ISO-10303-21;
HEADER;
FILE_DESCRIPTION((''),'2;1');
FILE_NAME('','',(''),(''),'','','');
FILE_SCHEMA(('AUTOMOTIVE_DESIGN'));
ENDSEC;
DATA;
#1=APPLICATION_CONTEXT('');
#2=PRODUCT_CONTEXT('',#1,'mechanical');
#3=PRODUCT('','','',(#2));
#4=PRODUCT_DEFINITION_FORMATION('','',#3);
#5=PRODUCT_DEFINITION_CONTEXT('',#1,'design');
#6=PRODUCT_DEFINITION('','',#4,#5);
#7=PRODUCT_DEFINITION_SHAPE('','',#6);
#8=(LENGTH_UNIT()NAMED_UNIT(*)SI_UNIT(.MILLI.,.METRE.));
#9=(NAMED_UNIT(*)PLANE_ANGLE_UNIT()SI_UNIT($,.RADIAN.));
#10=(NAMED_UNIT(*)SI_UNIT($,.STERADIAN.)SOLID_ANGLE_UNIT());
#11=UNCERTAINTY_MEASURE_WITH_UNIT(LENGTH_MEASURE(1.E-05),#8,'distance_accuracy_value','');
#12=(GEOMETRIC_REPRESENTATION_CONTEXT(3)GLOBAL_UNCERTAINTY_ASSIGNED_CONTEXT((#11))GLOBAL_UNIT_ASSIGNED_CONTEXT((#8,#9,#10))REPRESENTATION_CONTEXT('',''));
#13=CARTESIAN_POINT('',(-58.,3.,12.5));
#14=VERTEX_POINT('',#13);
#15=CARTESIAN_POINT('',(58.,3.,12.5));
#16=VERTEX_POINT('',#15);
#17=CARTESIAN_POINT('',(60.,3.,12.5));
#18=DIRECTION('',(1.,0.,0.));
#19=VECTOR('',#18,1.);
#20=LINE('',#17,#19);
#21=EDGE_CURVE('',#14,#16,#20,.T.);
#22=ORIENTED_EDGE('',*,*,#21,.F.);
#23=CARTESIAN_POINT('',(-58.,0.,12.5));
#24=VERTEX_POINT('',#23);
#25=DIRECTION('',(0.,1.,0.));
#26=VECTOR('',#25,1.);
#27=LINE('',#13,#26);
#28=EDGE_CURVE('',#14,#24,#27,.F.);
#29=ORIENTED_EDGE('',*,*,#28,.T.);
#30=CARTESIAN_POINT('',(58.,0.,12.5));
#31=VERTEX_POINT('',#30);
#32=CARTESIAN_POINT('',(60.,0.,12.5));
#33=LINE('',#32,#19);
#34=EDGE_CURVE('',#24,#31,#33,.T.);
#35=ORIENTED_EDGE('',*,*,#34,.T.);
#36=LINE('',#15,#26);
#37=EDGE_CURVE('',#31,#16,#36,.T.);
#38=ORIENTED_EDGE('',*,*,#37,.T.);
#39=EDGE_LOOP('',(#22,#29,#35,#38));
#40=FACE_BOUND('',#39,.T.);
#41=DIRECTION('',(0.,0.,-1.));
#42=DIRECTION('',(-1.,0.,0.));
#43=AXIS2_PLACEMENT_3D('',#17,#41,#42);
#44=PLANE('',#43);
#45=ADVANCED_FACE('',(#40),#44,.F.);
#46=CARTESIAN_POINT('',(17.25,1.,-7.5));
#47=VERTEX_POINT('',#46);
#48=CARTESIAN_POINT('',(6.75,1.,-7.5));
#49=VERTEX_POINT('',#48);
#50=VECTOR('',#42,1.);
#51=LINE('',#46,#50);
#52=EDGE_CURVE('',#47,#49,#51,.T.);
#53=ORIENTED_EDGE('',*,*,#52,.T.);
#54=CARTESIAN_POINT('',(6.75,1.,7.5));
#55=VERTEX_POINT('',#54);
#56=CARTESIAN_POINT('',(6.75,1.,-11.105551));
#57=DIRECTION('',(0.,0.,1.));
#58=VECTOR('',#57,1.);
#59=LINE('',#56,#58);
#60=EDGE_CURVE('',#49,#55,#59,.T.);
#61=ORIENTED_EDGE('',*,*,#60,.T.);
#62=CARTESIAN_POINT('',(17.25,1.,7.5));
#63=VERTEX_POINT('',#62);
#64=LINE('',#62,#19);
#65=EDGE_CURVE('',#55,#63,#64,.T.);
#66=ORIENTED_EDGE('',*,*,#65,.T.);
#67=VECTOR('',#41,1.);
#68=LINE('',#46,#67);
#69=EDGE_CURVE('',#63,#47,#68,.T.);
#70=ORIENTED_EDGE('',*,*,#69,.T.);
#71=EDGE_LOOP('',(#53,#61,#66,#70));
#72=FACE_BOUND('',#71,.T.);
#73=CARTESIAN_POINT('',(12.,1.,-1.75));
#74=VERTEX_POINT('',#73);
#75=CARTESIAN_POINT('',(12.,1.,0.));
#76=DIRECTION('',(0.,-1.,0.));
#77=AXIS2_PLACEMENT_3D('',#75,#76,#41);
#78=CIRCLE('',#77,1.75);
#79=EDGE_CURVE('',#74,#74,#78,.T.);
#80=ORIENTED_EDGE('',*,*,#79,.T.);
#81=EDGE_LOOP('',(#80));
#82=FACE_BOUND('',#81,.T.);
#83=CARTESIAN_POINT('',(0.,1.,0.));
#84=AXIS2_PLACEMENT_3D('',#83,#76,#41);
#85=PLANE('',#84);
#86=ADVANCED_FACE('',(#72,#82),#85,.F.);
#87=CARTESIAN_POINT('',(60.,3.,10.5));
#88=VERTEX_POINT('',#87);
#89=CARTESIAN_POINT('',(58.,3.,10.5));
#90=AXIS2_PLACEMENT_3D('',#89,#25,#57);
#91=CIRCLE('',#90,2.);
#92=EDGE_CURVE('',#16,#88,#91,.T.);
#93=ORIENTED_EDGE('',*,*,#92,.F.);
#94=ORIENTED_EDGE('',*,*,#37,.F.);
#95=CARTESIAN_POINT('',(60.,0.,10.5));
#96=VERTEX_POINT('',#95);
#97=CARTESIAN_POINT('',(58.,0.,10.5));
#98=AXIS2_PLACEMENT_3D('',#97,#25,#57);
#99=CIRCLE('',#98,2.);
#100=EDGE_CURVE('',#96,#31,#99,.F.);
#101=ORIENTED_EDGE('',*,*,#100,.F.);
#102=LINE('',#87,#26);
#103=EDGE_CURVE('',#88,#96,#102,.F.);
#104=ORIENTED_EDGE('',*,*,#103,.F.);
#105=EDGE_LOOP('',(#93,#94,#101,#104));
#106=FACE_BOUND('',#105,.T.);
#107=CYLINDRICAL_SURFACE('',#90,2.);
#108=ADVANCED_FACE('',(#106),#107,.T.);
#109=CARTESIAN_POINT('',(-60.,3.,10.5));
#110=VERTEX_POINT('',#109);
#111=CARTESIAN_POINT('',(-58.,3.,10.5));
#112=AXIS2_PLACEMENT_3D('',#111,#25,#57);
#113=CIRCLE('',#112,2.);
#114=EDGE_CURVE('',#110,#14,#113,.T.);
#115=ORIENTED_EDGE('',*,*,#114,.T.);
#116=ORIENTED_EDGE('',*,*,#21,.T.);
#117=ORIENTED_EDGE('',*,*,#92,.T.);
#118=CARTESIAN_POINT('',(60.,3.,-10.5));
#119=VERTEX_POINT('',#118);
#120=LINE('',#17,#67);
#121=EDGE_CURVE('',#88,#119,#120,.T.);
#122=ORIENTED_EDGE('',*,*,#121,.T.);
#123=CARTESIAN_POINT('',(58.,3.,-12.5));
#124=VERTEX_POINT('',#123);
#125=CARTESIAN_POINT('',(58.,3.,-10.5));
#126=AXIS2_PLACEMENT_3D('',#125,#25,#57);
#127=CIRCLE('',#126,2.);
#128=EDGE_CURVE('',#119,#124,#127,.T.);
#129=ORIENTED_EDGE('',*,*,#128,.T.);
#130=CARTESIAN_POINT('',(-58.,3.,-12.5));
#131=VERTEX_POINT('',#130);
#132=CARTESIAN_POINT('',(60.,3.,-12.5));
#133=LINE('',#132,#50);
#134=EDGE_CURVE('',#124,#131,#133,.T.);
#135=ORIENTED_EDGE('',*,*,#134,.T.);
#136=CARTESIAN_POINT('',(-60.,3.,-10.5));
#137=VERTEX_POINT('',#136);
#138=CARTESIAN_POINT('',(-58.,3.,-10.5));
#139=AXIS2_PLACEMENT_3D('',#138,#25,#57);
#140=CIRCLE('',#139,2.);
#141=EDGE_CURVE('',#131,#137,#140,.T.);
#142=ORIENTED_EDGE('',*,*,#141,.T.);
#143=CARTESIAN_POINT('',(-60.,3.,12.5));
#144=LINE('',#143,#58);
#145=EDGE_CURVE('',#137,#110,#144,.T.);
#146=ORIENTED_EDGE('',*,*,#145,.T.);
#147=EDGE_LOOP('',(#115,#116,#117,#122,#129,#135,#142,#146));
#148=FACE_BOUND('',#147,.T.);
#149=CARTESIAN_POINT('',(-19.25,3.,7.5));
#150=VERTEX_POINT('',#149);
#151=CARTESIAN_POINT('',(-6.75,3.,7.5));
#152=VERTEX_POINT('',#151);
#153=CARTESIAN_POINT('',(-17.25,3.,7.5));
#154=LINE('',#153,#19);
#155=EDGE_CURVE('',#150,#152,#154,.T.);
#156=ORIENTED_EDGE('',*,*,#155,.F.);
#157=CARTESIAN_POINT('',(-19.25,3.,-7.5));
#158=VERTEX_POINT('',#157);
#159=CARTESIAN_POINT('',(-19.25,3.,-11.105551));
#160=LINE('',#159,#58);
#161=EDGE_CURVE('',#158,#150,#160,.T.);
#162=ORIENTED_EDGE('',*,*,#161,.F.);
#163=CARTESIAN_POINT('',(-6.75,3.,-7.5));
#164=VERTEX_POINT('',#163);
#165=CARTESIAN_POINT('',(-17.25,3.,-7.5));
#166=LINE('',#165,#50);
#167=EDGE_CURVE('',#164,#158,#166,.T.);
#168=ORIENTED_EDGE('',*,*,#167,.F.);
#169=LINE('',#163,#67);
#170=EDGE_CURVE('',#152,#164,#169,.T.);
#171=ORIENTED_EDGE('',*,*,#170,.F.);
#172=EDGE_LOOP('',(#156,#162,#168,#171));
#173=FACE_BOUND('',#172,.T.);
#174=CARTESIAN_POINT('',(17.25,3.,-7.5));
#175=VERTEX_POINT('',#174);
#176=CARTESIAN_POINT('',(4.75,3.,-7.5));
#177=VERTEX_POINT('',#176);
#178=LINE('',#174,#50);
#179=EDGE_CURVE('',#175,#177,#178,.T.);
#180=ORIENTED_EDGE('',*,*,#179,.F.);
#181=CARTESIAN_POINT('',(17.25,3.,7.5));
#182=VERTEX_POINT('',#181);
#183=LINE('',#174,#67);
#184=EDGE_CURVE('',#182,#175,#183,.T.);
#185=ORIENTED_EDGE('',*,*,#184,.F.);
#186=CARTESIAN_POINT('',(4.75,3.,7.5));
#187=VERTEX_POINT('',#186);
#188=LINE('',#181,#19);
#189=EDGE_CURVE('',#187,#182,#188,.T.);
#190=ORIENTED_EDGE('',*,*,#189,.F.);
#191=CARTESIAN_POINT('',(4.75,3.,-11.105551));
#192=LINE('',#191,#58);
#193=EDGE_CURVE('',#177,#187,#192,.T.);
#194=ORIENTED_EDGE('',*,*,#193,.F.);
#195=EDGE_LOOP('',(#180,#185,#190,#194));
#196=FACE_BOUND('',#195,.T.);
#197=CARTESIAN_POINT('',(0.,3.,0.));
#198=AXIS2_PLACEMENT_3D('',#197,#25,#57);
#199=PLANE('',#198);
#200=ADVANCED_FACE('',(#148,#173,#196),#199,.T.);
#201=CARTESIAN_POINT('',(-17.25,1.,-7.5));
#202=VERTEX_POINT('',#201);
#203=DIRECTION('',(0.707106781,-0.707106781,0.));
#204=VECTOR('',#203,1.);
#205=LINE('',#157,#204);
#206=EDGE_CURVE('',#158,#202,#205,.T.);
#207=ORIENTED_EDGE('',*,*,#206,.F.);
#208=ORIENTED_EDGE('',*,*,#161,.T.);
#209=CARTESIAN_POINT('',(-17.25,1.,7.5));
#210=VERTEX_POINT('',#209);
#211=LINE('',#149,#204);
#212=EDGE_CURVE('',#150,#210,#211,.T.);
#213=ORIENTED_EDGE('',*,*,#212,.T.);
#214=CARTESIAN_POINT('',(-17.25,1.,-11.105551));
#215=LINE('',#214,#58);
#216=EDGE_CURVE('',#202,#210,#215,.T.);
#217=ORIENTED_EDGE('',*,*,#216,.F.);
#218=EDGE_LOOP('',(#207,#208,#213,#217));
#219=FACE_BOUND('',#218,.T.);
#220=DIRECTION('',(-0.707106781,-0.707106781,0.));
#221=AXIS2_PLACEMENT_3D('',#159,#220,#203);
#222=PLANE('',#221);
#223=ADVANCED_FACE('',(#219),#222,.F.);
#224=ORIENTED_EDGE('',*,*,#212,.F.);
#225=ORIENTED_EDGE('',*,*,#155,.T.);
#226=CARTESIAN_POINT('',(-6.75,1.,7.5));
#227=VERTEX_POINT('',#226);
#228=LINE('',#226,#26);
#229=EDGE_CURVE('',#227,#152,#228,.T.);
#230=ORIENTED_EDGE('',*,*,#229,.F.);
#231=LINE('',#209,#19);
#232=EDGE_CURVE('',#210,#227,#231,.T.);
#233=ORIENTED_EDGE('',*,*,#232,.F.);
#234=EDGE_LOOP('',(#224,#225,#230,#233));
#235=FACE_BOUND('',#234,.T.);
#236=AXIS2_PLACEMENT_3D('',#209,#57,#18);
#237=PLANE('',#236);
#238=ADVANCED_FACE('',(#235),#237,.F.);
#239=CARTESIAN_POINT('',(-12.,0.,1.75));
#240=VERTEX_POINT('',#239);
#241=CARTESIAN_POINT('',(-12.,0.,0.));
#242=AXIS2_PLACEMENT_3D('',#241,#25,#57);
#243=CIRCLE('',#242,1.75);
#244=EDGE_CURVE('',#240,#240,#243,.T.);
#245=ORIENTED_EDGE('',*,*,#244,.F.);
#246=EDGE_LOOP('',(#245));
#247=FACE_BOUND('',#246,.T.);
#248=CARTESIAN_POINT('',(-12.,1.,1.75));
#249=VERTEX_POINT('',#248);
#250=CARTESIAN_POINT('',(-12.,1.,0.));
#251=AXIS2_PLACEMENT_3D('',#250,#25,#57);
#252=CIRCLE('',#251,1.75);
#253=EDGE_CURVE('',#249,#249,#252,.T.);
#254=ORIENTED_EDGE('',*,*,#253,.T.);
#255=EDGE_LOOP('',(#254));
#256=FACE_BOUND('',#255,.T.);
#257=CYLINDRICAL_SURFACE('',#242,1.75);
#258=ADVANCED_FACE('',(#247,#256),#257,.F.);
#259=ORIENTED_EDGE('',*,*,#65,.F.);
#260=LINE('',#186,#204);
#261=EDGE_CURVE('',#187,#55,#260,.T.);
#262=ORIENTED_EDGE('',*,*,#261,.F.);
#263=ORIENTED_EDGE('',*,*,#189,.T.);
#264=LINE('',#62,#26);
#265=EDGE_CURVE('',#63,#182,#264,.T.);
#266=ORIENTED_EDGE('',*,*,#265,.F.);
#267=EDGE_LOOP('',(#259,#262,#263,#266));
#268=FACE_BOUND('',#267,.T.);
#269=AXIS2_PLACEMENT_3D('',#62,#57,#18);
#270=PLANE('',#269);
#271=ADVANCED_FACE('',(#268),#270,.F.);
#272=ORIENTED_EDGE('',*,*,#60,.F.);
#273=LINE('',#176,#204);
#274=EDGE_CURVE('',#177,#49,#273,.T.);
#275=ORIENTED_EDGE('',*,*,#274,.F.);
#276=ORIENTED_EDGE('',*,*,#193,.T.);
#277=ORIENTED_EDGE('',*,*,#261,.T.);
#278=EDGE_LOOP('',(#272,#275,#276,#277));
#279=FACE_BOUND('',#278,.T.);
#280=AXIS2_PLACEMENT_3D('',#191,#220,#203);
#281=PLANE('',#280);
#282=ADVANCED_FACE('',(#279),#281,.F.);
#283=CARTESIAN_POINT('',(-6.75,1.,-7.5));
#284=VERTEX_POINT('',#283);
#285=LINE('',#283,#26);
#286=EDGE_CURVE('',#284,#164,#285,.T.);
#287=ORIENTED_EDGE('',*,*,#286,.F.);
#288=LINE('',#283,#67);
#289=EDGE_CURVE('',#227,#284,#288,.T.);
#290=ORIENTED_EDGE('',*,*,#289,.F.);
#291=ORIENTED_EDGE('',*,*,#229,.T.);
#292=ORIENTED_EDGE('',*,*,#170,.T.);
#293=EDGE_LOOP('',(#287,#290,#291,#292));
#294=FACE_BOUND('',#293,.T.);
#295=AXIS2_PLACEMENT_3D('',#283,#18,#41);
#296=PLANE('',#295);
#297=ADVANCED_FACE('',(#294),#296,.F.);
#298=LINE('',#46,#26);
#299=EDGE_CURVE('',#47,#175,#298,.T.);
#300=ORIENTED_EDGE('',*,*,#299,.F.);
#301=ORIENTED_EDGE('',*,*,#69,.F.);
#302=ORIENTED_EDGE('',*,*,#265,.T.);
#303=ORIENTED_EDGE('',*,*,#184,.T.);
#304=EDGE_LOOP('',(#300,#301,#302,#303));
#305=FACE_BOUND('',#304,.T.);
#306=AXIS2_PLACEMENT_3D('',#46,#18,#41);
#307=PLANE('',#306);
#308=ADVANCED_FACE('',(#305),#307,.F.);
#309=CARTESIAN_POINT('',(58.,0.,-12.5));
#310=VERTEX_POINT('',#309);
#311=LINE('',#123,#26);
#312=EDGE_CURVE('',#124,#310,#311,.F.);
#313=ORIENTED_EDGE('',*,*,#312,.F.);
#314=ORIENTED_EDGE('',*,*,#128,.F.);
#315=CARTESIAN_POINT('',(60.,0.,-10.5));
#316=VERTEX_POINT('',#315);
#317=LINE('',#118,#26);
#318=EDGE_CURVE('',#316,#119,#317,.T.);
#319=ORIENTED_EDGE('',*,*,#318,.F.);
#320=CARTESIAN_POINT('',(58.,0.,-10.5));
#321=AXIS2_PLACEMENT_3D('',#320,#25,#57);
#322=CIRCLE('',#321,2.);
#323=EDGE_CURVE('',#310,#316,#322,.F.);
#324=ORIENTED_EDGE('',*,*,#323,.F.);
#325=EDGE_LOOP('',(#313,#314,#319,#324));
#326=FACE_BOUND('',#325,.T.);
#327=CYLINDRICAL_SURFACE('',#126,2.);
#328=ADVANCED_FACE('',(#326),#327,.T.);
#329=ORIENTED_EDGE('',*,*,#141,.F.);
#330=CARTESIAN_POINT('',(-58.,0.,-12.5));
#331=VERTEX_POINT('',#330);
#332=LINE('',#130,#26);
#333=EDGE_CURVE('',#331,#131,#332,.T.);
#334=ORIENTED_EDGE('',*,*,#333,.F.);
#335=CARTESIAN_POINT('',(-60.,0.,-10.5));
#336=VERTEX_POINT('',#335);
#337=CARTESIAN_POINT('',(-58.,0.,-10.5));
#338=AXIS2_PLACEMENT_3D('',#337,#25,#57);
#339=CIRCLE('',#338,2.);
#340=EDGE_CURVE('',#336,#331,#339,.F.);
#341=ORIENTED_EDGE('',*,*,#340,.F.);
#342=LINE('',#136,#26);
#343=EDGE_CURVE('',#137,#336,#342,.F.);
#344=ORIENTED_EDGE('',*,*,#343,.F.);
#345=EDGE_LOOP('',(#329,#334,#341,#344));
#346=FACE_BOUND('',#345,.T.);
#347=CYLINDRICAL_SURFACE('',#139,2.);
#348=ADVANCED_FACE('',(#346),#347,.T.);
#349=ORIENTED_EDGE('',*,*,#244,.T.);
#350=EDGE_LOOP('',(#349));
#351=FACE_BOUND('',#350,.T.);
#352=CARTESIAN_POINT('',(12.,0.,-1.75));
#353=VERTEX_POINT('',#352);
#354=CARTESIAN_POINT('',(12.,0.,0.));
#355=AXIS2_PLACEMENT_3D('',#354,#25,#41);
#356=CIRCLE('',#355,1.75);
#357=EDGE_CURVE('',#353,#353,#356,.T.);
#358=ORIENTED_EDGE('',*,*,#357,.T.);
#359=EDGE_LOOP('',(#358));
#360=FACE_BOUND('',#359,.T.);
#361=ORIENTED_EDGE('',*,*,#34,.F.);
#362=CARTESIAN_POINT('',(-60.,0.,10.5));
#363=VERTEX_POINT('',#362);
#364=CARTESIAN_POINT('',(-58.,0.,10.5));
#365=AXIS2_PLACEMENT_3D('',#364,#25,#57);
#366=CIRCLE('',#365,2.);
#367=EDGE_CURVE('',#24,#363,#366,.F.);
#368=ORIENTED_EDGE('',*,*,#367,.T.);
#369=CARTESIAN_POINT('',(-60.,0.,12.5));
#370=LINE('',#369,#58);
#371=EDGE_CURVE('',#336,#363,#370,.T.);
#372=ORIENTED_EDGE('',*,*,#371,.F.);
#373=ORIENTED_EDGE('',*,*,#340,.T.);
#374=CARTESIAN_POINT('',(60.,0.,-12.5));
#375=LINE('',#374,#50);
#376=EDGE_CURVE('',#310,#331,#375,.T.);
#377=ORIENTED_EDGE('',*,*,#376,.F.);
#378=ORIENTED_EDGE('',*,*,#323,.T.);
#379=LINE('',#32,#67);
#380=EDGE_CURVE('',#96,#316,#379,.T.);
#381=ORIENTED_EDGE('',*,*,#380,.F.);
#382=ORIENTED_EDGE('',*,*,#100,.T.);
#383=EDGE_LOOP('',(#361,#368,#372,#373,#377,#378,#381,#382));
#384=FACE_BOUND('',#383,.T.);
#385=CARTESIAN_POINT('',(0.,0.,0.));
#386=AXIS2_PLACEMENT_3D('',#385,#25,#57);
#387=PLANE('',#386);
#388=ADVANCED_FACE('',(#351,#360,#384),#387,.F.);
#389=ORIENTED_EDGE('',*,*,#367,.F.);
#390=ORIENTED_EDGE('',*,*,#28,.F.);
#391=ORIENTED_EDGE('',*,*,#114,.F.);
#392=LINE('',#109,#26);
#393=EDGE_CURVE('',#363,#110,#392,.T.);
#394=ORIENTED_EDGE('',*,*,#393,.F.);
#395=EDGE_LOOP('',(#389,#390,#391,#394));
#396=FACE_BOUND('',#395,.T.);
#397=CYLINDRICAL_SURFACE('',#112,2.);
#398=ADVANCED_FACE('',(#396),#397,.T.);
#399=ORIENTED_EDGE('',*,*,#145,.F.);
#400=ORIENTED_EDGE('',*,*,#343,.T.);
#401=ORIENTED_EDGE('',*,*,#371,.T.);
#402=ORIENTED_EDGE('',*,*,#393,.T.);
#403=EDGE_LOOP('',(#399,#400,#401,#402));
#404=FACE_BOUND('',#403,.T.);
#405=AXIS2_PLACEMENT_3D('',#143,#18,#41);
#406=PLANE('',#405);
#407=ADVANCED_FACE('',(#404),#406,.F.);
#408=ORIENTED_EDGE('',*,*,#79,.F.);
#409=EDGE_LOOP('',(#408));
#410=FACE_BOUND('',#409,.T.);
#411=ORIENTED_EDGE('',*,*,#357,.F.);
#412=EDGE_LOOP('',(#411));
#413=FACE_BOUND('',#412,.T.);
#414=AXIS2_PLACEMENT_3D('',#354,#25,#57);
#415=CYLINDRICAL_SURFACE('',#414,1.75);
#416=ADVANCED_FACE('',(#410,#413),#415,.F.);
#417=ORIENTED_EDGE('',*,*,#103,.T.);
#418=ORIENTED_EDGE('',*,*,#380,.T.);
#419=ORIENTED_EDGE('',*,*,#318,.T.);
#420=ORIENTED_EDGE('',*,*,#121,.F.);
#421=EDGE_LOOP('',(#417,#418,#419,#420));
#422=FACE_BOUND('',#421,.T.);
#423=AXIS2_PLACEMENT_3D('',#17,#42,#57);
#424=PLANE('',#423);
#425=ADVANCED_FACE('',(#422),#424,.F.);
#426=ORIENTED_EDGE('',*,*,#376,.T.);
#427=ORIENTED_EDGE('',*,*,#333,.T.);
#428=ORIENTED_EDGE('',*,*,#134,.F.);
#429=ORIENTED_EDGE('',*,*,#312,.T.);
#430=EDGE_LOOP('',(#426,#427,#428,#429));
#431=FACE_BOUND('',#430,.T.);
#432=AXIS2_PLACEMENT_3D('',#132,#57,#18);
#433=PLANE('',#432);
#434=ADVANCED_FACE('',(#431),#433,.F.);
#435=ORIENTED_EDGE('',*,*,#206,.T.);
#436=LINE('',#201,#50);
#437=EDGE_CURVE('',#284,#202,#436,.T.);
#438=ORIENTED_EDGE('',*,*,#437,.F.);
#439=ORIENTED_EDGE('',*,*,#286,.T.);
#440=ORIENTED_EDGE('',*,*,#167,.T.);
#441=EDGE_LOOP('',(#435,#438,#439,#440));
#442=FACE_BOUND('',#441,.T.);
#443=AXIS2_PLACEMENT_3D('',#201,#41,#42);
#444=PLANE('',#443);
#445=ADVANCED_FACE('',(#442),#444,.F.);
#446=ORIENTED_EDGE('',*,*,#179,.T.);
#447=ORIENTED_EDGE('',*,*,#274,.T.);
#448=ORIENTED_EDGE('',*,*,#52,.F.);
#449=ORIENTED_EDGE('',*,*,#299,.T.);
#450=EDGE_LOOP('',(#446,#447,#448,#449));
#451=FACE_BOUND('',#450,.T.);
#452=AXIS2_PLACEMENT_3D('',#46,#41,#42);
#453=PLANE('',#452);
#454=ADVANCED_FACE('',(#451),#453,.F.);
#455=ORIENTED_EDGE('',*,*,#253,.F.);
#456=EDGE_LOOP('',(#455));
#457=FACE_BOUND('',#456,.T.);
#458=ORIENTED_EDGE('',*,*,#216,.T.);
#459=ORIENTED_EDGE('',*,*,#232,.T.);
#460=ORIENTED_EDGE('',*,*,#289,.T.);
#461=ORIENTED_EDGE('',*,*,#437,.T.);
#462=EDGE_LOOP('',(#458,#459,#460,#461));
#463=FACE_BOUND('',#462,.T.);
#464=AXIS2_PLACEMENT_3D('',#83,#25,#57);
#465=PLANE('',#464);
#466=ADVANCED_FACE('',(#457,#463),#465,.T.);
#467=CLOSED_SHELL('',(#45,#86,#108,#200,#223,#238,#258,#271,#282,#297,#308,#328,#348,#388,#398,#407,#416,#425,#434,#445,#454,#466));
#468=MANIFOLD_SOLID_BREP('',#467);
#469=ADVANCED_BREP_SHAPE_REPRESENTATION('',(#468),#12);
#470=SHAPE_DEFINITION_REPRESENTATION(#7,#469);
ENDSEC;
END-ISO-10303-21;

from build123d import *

# Parameters (mm, degrees)
TOP_COVER_W             = 120
TOP_COVER_H             = 25
BOSS_EXTRUDE1_DEPTH     = 3
ATTACHMENT_POINT_W      = 10.5
ATTACHMENT_POINT_H      = 15
CUT_EXTRUDE1_DEPTH      = 2
SKETCH4_R               = 1.75
M3_SCREW_CUT_DEPTH      = 62.361632964
FILLET1_R               = 2
FILLET2_R               = 2
FILLET3_R               = 2
FILLET4_R               = 2
SKETCH5_W               = 3
SKETCH5_H               = 15
CUT_EXTRUDE3_DEPTH      = 2
CONNETOR_1_ANGLE_DEPTH  = 15
CONNECTOR_2_ANGLE_DEPTH = 15


with BuildPart() as part:
    # Top Cover → Boss-Extrude1 (new body)
    with BuildSketch(Plane(origin=(0, 0, 0), x_dir=(1, 0, 0), z_dir=(0, 1, 0))):
        Rectangle(TOP_COVER_W, TOP_COVER_H)
    extrude(amount=BOSS_EXTRUDE1_DEPTH)

    # Attachment Point → Cut-Extrude1 (cut)
    with BuildSketch(Plane(origin=(0, 3, 0), x_dir=(1, 0, 0), z_dir=(0, 1, 0))):
        with Locations((-12, 0)):
            Rectangle(ATTACHMENT_POINT_W, ATTACHMENT_POINT_H)
        with Locations((12, 0)):
            Rectangle(ATTACHMENT_POINT_W, ATTACHMENT_POINT_H)
    extrude(amount=-CUT_EXTRUDE1_DEPTH, mode=Mode.SUBTRACT)

    # Sketch4 → M3 Screw CUT (cut, through all)
    with BuildSketch(Plane(origin=(0, 3, 0), x_dir=(1, 0, 0), z_dir=(0, 1, 0))):
        with Locations(Location((-12, 0, 0), (0, 0, 270))):
            Circle(SKETCH4_R)
        with Locations(Location((12, 0, 0), (0, 0, 90))):
            Circle(SKETCH4_R)
    extrude(amount=-M3_SCREW_CUT_DEPTH, mode=Mode.SUBTRACT)

    # Fillet1
    fillet1_edges = [part.edges().sort_by_distance(p)[0] for p in [
        (-60, 1.5, 12.5),
    ]]
    fillet(fillet1_edges, radius=FILLET1_R)

    # Fillet2
    fillet2_edges = [part.edges().sort_by_distance(p)[0] for p in [
        (60, 1.5, 12.5),
    ]]
    fillet(fillet2_edges, radius=FILLET2_R)

    # Fillet3
    fillet3_edges = [part.edges().sort_by_distance(p)[0] for p in [
        (60, 1.5, -12.5),
    ]]
    fillet(fillet3_edges, radius=FILLET3_R)

    # Fillet4
    fillet4_edges = [part.edges().sort_by_distance(p)[0] for p in [
        (-60, 1.5, -12.5),
    ]]
    fillet(fillet4_edges, radius=FILLET4_R)

    # Sketch5 → Cut-Extrude3 (cut)
    with BuildSketch(Plane(origin=(0, 3, 0), x_dir=(1, 0, 0), z_dir=(0, 1, 0))):
        with Locations((5.25, 0)):
            Rectangle(SKETCH5_W, SKETCH5_H)
        with Locations((-18.75, 0)):
            Rectangle(SKETCH5_W, SKETCH5_H)
    extrude(amount=-CUT_EXTRUDE3_DEPTH, mode=Mode.SUBTRACT)

    # Sketch6 → Connetor 1 Angle (add)
    with BuildSketch(Plane(origin=(0, 0, 7.5), x_dir=(-1, 0, 0), z_dir=(0, 0, -1))):
        Polygon((-4.75, 3), (-6.75, 1), (-3.75, 1), (-3.75, 3), align=None)
    extrude(amount=CONNETOR_1_ANGLE_DEPTH)

    # Sketch7 → Connector 2 Angle (add)
    with BuildSketch(Plane(origin=(0, 0, 7.5), x_dir=(-1, 0, 0), z_dir=(0, 0, -1))):
        Polygon((19.25, 3), (17.25, 1), (20.25, 1), (20.25, 3), align=None)
    extrude(amount=CONNECTOR_2_ANGLE_DEPTH)


solid = part.part
